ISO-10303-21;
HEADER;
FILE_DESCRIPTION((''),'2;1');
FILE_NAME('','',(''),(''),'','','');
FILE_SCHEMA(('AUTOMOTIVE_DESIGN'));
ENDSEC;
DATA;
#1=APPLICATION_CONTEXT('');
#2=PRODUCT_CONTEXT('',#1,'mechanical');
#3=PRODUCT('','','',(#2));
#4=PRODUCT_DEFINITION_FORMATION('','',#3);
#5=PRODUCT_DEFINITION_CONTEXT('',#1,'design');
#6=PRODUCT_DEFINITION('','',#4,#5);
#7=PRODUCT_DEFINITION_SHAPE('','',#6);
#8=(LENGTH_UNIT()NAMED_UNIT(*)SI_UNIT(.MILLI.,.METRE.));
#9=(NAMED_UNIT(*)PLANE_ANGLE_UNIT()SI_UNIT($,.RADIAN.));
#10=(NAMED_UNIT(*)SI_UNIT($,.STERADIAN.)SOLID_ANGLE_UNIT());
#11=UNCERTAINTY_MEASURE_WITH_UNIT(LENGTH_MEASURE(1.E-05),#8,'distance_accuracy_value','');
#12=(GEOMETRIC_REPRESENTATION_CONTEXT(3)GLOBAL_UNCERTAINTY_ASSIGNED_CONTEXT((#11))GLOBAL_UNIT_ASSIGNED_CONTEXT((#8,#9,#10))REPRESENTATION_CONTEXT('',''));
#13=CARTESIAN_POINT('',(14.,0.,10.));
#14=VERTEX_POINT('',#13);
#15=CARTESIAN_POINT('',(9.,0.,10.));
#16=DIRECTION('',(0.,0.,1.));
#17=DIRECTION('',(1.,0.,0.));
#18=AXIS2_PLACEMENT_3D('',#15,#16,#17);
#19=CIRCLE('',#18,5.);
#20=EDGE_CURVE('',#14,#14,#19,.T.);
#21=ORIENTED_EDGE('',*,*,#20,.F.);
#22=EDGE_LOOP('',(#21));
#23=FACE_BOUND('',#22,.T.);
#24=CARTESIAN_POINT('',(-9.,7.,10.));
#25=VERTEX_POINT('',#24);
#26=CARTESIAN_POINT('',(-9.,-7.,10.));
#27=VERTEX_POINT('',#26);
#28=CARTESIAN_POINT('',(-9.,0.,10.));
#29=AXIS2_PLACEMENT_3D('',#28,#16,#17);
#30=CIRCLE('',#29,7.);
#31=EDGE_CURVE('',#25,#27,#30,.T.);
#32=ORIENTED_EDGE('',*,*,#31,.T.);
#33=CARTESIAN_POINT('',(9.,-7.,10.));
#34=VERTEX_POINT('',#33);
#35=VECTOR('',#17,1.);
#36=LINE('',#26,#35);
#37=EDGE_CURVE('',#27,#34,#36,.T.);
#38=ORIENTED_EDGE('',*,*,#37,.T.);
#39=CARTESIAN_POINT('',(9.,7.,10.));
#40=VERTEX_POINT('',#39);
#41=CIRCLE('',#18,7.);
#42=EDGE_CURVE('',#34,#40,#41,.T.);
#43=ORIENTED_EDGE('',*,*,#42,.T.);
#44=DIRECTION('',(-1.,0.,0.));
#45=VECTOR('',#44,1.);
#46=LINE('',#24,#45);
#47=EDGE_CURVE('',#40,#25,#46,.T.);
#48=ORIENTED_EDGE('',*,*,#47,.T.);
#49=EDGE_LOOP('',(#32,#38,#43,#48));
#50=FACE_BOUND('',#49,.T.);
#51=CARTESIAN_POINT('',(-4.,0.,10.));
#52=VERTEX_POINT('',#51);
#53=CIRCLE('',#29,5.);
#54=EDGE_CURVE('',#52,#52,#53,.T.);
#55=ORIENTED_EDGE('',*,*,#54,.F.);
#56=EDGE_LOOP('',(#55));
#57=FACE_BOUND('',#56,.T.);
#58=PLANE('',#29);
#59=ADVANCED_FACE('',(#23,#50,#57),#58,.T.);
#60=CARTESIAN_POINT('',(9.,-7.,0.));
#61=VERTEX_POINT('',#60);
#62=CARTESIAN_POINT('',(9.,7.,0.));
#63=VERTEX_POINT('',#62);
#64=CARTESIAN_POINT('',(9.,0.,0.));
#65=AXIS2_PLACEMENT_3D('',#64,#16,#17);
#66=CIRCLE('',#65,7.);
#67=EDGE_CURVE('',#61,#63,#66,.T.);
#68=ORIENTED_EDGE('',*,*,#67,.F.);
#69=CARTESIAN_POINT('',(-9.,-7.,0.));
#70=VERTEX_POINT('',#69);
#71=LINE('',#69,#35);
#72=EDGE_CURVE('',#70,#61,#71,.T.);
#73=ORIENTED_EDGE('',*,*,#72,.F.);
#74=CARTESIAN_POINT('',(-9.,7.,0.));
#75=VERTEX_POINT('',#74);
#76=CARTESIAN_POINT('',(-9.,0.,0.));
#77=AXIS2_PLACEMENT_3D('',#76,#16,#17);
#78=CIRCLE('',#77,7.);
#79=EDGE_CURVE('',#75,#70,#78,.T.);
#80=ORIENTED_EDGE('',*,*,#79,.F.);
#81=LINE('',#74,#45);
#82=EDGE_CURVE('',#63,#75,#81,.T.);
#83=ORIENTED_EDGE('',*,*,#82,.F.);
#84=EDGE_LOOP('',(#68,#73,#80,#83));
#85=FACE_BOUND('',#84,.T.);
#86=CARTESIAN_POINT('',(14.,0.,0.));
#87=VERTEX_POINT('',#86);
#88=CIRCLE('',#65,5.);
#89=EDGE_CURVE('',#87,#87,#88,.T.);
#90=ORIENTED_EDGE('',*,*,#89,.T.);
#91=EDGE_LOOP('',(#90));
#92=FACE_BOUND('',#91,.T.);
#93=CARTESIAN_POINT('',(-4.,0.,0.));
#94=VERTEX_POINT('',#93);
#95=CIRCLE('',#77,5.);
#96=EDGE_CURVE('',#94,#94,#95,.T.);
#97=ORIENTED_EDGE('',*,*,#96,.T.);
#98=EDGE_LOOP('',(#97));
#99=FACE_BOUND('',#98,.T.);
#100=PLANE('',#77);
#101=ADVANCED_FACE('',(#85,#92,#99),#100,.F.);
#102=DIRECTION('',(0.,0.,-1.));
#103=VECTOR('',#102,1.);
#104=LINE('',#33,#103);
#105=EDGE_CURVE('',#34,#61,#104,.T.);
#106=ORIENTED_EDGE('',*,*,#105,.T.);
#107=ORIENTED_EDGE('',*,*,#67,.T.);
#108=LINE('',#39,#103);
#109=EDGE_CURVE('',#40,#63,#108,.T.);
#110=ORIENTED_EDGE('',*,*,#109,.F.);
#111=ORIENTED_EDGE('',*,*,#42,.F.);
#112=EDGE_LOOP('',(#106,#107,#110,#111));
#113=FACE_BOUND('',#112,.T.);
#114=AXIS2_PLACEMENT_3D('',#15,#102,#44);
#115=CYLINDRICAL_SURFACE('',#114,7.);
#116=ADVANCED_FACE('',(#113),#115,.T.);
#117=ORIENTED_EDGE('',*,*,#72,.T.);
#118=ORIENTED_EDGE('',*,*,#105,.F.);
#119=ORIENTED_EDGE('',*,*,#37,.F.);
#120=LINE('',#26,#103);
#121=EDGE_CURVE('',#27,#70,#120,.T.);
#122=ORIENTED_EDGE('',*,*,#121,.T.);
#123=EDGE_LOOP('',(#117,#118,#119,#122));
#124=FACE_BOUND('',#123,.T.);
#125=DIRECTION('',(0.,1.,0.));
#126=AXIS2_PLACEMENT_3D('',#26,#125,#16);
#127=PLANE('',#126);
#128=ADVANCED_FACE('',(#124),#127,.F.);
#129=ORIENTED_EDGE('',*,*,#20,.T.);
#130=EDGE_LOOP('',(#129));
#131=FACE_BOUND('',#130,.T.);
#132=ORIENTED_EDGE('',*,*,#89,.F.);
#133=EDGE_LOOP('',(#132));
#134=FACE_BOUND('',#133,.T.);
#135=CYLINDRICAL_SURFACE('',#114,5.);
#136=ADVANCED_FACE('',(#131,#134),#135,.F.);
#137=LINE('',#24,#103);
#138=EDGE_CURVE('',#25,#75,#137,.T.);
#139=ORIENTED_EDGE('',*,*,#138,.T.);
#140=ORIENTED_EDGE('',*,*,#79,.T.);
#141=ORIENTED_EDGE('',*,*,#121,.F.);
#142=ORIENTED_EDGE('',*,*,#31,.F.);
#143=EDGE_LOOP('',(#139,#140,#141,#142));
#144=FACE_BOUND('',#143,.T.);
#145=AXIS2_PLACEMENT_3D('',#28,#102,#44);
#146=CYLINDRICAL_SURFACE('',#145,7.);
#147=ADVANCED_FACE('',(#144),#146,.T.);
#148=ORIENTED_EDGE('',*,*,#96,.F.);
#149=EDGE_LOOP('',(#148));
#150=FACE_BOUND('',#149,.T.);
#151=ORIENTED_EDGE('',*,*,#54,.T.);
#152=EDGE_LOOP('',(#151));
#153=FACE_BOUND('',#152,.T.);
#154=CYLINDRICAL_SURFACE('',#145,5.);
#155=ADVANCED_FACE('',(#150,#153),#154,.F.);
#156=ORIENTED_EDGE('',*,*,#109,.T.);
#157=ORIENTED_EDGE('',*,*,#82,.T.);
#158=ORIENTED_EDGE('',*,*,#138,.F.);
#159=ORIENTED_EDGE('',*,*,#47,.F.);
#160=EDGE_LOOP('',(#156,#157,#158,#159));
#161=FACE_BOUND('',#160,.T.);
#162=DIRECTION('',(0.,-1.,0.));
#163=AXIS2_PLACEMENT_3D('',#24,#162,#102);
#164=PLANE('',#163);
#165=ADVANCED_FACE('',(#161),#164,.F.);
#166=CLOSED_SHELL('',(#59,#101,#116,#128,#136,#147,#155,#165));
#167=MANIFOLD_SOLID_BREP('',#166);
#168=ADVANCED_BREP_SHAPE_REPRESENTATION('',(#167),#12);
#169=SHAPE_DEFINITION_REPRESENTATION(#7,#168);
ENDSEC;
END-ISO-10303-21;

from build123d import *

# Parameters (mm, degrees)
SKETCH2_R           = 5
BOSS_EXTRUDE1_DEPTH = 10


with BuildPart() as part:
    # Sketch2 → Boss-Extrude1 (new body)
    with BuildSketch(Plane.XY):
        with BuildLine():
            Line((-9, 7), (9, 7))
            ThreePointArc((9, 7), (16, 0), (9, -7))
            Line((9, -7), (-9, -7))
            ThreePointArc((-9, -7), (-16, 0), (-9, 7))
        make_face()
        with Locations((-9, 0)):
            Circle(SKETCH2_R, mode=Mode.SUBTRACT)
        with Locations((9, 0)):
            Circle(SKETCH2_R, mode=Mode.SUBTRACT)
    extrude(amount=BOSS_EXTRUDE1_DEPTH)


solid = part.part
